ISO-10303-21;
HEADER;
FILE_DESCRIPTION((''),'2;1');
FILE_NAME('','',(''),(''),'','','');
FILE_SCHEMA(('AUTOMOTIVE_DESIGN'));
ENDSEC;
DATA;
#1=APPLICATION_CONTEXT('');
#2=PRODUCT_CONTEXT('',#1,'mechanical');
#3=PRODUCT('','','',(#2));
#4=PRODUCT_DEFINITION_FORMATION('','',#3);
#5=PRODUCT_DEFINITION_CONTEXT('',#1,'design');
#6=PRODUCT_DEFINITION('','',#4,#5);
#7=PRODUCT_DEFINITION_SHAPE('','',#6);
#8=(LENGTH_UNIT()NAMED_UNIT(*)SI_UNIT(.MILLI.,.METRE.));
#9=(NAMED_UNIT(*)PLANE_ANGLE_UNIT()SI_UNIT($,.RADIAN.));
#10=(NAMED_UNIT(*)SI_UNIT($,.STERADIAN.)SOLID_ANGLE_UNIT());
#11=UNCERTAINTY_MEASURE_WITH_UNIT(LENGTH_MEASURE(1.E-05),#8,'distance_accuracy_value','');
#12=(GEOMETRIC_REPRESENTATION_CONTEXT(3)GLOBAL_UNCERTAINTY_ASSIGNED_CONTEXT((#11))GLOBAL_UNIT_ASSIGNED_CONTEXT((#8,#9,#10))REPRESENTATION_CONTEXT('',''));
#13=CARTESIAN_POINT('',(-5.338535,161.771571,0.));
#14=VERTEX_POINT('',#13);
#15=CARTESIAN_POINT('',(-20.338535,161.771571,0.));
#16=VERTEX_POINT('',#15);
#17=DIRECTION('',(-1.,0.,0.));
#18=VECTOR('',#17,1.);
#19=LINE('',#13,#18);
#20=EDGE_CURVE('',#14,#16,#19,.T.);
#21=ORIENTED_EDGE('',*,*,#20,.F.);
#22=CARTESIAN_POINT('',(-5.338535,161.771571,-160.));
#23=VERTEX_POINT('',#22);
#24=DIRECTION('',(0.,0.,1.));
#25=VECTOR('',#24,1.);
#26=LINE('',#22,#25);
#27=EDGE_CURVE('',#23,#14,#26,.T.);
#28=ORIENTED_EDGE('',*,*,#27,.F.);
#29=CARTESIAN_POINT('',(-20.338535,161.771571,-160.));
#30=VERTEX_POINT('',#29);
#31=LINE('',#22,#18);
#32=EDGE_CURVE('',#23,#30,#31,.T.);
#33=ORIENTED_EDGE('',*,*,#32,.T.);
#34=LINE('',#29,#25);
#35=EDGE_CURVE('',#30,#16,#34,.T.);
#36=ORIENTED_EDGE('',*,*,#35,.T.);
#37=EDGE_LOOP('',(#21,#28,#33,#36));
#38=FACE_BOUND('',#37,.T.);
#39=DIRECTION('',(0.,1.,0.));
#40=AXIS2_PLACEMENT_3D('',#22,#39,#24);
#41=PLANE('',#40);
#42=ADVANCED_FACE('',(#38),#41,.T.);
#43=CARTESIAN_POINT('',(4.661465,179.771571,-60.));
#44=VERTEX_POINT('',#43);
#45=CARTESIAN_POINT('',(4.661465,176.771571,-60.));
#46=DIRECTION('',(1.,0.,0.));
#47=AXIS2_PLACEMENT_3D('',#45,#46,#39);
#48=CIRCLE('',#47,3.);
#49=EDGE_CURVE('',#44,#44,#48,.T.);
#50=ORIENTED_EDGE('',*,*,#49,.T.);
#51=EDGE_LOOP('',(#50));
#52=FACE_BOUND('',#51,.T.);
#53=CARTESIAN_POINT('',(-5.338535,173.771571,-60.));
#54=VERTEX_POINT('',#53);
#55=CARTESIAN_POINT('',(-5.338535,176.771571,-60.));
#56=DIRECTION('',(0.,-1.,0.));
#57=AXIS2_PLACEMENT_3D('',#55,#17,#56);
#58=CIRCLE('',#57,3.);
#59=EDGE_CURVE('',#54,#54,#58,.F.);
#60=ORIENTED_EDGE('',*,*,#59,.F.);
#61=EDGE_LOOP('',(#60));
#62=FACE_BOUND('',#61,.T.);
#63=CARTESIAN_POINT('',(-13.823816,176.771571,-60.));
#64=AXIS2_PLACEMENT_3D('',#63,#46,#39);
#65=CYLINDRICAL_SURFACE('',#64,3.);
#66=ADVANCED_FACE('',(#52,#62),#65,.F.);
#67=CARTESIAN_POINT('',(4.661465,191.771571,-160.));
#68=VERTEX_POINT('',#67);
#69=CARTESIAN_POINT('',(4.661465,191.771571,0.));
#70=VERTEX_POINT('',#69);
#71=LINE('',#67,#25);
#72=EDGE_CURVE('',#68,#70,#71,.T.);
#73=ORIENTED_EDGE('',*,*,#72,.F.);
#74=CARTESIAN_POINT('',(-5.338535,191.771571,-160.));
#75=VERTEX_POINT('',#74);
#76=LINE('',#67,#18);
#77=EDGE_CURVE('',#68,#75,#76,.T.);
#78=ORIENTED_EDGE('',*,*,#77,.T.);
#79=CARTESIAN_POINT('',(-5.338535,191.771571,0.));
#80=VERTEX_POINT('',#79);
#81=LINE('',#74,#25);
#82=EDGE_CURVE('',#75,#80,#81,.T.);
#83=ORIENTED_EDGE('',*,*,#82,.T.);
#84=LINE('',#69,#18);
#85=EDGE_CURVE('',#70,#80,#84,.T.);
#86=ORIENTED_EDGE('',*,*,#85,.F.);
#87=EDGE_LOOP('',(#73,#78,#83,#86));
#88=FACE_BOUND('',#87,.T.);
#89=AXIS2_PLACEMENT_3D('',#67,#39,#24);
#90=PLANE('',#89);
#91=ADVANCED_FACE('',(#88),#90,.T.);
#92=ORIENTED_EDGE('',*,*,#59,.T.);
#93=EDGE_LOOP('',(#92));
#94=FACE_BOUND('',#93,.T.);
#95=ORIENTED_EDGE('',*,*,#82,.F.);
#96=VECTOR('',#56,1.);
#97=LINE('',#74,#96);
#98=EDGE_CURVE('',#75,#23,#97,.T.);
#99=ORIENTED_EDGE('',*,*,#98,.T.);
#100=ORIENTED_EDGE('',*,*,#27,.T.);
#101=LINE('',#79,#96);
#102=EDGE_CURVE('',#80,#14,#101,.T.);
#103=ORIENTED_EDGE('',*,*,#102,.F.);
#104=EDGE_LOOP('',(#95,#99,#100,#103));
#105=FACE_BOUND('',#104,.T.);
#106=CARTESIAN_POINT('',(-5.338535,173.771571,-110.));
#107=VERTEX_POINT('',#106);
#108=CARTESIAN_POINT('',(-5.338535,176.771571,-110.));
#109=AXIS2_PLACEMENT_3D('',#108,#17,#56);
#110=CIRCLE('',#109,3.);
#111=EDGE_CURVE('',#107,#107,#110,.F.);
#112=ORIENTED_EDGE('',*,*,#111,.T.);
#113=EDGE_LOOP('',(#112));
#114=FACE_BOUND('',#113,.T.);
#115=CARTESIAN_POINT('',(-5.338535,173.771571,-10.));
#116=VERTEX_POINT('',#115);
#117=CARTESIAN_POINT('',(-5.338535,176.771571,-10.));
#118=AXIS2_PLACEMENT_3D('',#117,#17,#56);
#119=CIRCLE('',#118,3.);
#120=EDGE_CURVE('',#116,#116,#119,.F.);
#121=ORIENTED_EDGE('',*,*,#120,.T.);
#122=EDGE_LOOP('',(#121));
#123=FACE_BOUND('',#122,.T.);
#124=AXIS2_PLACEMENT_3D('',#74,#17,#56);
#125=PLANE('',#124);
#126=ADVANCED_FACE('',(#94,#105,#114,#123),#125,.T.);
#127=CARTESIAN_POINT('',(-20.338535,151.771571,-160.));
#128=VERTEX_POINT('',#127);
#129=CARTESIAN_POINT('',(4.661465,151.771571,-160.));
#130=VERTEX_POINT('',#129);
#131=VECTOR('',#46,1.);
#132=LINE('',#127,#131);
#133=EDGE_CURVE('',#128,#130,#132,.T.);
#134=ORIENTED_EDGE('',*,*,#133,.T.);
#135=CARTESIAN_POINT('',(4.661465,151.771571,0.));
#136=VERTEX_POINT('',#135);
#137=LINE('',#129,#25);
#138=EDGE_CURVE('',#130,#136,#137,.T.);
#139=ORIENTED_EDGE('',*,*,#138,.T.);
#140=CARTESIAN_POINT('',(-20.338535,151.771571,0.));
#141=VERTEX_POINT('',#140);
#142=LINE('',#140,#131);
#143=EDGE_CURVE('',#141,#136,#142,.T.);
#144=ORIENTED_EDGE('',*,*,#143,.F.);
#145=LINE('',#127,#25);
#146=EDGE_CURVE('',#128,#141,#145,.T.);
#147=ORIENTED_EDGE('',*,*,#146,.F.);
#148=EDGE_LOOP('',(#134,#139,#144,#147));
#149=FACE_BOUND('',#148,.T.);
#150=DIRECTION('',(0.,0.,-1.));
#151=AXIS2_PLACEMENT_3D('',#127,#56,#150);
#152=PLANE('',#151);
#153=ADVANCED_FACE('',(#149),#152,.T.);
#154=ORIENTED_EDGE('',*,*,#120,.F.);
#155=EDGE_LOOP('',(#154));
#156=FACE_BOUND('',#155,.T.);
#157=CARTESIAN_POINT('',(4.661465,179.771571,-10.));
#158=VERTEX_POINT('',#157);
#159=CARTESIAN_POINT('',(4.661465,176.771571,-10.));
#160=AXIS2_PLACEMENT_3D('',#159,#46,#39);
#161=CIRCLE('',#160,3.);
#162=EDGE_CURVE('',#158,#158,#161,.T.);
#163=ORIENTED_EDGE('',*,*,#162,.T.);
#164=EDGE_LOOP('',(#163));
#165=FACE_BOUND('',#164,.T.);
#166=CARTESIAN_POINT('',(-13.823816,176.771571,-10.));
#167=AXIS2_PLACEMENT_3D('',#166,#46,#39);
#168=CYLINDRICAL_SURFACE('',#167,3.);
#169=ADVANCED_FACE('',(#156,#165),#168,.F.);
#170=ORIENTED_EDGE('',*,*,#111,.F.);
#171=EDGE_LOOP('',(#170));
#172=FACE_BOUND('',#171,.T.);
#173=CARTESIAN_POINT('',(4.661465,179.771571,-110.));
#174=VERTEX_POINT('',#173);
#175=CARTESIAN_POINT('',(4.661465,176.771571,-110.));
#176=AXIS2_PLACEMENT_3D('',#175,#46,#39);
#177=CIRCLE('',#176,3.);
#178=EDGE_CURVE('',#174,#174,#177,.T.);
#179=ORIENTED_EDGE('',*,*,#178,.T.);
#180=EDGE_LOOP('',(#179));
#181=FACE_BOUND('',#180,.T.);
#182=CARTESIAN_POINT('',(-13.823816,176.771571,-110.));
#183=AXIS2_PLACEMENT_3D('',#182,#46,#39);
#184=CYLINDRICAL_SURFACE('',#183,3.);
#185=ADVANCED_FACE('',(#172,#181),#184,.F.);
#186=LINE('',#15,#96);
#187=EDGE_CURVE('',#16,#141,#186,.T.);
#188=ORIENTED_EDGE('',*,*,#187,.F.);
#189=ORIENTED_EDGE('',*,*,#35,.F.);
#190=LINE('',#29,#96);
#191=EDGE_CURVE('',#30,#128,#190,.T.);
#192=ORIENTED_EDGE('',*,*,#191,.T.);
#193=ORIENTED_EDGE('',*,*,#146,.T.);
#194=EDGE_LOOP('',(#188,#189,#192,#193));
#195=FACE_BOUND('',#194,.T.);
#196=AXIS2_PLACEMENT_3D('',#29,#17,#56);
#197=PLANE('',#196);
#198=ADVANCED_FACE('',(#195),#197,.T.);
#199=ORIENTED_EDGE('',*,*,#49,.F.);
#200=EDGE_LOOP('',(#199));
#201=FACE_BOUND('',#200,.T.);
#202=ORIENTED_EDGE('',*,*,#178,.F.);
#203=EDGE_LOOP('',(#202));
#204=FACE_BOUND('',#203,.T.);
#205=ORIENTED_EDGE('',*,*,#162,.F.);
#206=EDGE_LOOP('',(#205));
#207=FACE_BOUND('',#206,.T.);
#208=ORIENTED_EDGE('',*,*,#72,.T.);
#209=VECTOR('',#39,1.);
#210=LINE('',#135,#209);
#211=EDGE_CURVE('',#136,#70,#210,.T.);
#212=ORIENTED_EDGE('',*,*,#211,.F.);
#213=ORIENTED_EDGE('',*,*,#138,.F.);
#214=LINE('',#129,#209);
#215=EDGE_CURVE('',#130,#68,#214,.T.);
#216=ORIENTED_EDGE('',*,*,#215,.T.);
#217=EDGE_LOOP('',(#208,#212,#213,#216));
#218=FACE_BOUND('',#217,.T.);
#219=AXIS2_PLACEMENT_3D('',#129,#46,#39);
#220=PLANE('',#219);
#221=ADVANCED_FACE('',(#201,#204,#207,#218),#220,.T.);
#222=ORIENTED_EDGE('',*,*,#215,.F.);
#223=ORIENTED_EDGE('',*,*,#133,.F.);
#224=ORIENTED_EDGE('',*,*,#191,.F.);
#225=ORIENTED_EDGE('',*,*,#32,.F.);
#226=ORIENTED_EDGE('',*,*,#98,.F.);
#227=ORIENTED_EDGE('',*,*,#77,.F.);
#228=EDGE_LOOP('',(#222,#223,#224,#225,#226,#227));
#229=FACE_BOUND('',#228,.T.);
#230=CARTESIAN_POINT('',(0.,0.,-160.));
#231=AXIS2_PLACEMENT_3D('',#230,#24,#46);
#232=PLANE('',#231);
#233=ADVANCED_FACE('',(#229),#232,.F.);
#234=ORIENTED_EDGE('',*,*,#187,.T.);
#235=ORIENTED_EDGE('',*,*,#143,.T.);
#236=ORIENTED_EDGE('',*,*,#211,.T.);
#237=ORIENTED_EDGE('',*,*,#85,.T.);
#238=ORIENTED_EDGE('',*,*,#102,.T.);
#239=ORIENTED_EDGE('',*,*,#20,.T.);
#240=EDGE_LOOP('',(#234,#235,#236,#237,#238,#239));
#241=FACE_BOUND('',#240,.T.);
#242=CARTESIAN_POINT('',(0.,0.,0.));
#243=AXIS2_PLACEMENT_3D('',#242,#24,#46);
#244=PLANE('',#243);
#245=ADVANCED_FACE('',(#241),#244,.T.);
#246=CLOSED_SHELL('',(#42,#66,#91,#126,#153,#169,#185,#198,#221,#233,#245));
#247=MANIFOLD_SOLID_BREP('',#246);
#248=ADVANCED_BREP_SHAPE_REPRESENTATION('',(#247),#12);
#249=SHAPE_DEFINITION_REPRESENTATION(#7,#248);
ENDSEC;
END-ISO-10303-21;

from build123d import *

# Parameters (mm, degrees)
EXTRUDE_1_DEPTH     = 160
CUT_EXTRUDE_START   = -10
SKETCH_2_R          = 3
CUT_EXTRUDE_1_DEPTH = 262.00066797
LPATTERN1_COUNT     = 3
LPATTERN1_PITCH     = 50


with BuildPart() as part:
    # 草圖1 → 填料-伸長1 (new body)
    with BuildSketch(Plane.XY):
        Polygon((-5.338534676, 191.77157068), (-5.338534676, 161.77157068), (-20.338534676, 161.77157068), (-20.338534676, 151.77157068), (4.661465324, 151.77157068), (4.661465324, 191.77157068), align=None)
    extrude(amount=-EXTRUDE_1_DEPTH)

    # 草圖2 → 除料-伸長1 (cut)
    with BuildSketch(Plane(origin=(4.661465324, 0, 0), x_dir=(0, 0, -1), z_dir=(1, 0, 0)).offset(CUT_EXTRUDE_START)):
        with Locations(Location((110, 176.77157068, 0), (0, 0, 90))):
            Circle(SKETCH_2_R)
    cut_extrude_1 = extrude(amount=CUT_EXTRUDE_1_DEPTH, mode=Mode.SUBTRACT)

    # LPattern1: 除料-伸長1 ×3
    with Locations(*[(0, 0, i * LPATTERN1_PITCH) for i in range(1, LPATTERN1_COUNT)]):
        add(cut_extrude_1, mode=Mode.SUBTRACT)


solid = part.part
